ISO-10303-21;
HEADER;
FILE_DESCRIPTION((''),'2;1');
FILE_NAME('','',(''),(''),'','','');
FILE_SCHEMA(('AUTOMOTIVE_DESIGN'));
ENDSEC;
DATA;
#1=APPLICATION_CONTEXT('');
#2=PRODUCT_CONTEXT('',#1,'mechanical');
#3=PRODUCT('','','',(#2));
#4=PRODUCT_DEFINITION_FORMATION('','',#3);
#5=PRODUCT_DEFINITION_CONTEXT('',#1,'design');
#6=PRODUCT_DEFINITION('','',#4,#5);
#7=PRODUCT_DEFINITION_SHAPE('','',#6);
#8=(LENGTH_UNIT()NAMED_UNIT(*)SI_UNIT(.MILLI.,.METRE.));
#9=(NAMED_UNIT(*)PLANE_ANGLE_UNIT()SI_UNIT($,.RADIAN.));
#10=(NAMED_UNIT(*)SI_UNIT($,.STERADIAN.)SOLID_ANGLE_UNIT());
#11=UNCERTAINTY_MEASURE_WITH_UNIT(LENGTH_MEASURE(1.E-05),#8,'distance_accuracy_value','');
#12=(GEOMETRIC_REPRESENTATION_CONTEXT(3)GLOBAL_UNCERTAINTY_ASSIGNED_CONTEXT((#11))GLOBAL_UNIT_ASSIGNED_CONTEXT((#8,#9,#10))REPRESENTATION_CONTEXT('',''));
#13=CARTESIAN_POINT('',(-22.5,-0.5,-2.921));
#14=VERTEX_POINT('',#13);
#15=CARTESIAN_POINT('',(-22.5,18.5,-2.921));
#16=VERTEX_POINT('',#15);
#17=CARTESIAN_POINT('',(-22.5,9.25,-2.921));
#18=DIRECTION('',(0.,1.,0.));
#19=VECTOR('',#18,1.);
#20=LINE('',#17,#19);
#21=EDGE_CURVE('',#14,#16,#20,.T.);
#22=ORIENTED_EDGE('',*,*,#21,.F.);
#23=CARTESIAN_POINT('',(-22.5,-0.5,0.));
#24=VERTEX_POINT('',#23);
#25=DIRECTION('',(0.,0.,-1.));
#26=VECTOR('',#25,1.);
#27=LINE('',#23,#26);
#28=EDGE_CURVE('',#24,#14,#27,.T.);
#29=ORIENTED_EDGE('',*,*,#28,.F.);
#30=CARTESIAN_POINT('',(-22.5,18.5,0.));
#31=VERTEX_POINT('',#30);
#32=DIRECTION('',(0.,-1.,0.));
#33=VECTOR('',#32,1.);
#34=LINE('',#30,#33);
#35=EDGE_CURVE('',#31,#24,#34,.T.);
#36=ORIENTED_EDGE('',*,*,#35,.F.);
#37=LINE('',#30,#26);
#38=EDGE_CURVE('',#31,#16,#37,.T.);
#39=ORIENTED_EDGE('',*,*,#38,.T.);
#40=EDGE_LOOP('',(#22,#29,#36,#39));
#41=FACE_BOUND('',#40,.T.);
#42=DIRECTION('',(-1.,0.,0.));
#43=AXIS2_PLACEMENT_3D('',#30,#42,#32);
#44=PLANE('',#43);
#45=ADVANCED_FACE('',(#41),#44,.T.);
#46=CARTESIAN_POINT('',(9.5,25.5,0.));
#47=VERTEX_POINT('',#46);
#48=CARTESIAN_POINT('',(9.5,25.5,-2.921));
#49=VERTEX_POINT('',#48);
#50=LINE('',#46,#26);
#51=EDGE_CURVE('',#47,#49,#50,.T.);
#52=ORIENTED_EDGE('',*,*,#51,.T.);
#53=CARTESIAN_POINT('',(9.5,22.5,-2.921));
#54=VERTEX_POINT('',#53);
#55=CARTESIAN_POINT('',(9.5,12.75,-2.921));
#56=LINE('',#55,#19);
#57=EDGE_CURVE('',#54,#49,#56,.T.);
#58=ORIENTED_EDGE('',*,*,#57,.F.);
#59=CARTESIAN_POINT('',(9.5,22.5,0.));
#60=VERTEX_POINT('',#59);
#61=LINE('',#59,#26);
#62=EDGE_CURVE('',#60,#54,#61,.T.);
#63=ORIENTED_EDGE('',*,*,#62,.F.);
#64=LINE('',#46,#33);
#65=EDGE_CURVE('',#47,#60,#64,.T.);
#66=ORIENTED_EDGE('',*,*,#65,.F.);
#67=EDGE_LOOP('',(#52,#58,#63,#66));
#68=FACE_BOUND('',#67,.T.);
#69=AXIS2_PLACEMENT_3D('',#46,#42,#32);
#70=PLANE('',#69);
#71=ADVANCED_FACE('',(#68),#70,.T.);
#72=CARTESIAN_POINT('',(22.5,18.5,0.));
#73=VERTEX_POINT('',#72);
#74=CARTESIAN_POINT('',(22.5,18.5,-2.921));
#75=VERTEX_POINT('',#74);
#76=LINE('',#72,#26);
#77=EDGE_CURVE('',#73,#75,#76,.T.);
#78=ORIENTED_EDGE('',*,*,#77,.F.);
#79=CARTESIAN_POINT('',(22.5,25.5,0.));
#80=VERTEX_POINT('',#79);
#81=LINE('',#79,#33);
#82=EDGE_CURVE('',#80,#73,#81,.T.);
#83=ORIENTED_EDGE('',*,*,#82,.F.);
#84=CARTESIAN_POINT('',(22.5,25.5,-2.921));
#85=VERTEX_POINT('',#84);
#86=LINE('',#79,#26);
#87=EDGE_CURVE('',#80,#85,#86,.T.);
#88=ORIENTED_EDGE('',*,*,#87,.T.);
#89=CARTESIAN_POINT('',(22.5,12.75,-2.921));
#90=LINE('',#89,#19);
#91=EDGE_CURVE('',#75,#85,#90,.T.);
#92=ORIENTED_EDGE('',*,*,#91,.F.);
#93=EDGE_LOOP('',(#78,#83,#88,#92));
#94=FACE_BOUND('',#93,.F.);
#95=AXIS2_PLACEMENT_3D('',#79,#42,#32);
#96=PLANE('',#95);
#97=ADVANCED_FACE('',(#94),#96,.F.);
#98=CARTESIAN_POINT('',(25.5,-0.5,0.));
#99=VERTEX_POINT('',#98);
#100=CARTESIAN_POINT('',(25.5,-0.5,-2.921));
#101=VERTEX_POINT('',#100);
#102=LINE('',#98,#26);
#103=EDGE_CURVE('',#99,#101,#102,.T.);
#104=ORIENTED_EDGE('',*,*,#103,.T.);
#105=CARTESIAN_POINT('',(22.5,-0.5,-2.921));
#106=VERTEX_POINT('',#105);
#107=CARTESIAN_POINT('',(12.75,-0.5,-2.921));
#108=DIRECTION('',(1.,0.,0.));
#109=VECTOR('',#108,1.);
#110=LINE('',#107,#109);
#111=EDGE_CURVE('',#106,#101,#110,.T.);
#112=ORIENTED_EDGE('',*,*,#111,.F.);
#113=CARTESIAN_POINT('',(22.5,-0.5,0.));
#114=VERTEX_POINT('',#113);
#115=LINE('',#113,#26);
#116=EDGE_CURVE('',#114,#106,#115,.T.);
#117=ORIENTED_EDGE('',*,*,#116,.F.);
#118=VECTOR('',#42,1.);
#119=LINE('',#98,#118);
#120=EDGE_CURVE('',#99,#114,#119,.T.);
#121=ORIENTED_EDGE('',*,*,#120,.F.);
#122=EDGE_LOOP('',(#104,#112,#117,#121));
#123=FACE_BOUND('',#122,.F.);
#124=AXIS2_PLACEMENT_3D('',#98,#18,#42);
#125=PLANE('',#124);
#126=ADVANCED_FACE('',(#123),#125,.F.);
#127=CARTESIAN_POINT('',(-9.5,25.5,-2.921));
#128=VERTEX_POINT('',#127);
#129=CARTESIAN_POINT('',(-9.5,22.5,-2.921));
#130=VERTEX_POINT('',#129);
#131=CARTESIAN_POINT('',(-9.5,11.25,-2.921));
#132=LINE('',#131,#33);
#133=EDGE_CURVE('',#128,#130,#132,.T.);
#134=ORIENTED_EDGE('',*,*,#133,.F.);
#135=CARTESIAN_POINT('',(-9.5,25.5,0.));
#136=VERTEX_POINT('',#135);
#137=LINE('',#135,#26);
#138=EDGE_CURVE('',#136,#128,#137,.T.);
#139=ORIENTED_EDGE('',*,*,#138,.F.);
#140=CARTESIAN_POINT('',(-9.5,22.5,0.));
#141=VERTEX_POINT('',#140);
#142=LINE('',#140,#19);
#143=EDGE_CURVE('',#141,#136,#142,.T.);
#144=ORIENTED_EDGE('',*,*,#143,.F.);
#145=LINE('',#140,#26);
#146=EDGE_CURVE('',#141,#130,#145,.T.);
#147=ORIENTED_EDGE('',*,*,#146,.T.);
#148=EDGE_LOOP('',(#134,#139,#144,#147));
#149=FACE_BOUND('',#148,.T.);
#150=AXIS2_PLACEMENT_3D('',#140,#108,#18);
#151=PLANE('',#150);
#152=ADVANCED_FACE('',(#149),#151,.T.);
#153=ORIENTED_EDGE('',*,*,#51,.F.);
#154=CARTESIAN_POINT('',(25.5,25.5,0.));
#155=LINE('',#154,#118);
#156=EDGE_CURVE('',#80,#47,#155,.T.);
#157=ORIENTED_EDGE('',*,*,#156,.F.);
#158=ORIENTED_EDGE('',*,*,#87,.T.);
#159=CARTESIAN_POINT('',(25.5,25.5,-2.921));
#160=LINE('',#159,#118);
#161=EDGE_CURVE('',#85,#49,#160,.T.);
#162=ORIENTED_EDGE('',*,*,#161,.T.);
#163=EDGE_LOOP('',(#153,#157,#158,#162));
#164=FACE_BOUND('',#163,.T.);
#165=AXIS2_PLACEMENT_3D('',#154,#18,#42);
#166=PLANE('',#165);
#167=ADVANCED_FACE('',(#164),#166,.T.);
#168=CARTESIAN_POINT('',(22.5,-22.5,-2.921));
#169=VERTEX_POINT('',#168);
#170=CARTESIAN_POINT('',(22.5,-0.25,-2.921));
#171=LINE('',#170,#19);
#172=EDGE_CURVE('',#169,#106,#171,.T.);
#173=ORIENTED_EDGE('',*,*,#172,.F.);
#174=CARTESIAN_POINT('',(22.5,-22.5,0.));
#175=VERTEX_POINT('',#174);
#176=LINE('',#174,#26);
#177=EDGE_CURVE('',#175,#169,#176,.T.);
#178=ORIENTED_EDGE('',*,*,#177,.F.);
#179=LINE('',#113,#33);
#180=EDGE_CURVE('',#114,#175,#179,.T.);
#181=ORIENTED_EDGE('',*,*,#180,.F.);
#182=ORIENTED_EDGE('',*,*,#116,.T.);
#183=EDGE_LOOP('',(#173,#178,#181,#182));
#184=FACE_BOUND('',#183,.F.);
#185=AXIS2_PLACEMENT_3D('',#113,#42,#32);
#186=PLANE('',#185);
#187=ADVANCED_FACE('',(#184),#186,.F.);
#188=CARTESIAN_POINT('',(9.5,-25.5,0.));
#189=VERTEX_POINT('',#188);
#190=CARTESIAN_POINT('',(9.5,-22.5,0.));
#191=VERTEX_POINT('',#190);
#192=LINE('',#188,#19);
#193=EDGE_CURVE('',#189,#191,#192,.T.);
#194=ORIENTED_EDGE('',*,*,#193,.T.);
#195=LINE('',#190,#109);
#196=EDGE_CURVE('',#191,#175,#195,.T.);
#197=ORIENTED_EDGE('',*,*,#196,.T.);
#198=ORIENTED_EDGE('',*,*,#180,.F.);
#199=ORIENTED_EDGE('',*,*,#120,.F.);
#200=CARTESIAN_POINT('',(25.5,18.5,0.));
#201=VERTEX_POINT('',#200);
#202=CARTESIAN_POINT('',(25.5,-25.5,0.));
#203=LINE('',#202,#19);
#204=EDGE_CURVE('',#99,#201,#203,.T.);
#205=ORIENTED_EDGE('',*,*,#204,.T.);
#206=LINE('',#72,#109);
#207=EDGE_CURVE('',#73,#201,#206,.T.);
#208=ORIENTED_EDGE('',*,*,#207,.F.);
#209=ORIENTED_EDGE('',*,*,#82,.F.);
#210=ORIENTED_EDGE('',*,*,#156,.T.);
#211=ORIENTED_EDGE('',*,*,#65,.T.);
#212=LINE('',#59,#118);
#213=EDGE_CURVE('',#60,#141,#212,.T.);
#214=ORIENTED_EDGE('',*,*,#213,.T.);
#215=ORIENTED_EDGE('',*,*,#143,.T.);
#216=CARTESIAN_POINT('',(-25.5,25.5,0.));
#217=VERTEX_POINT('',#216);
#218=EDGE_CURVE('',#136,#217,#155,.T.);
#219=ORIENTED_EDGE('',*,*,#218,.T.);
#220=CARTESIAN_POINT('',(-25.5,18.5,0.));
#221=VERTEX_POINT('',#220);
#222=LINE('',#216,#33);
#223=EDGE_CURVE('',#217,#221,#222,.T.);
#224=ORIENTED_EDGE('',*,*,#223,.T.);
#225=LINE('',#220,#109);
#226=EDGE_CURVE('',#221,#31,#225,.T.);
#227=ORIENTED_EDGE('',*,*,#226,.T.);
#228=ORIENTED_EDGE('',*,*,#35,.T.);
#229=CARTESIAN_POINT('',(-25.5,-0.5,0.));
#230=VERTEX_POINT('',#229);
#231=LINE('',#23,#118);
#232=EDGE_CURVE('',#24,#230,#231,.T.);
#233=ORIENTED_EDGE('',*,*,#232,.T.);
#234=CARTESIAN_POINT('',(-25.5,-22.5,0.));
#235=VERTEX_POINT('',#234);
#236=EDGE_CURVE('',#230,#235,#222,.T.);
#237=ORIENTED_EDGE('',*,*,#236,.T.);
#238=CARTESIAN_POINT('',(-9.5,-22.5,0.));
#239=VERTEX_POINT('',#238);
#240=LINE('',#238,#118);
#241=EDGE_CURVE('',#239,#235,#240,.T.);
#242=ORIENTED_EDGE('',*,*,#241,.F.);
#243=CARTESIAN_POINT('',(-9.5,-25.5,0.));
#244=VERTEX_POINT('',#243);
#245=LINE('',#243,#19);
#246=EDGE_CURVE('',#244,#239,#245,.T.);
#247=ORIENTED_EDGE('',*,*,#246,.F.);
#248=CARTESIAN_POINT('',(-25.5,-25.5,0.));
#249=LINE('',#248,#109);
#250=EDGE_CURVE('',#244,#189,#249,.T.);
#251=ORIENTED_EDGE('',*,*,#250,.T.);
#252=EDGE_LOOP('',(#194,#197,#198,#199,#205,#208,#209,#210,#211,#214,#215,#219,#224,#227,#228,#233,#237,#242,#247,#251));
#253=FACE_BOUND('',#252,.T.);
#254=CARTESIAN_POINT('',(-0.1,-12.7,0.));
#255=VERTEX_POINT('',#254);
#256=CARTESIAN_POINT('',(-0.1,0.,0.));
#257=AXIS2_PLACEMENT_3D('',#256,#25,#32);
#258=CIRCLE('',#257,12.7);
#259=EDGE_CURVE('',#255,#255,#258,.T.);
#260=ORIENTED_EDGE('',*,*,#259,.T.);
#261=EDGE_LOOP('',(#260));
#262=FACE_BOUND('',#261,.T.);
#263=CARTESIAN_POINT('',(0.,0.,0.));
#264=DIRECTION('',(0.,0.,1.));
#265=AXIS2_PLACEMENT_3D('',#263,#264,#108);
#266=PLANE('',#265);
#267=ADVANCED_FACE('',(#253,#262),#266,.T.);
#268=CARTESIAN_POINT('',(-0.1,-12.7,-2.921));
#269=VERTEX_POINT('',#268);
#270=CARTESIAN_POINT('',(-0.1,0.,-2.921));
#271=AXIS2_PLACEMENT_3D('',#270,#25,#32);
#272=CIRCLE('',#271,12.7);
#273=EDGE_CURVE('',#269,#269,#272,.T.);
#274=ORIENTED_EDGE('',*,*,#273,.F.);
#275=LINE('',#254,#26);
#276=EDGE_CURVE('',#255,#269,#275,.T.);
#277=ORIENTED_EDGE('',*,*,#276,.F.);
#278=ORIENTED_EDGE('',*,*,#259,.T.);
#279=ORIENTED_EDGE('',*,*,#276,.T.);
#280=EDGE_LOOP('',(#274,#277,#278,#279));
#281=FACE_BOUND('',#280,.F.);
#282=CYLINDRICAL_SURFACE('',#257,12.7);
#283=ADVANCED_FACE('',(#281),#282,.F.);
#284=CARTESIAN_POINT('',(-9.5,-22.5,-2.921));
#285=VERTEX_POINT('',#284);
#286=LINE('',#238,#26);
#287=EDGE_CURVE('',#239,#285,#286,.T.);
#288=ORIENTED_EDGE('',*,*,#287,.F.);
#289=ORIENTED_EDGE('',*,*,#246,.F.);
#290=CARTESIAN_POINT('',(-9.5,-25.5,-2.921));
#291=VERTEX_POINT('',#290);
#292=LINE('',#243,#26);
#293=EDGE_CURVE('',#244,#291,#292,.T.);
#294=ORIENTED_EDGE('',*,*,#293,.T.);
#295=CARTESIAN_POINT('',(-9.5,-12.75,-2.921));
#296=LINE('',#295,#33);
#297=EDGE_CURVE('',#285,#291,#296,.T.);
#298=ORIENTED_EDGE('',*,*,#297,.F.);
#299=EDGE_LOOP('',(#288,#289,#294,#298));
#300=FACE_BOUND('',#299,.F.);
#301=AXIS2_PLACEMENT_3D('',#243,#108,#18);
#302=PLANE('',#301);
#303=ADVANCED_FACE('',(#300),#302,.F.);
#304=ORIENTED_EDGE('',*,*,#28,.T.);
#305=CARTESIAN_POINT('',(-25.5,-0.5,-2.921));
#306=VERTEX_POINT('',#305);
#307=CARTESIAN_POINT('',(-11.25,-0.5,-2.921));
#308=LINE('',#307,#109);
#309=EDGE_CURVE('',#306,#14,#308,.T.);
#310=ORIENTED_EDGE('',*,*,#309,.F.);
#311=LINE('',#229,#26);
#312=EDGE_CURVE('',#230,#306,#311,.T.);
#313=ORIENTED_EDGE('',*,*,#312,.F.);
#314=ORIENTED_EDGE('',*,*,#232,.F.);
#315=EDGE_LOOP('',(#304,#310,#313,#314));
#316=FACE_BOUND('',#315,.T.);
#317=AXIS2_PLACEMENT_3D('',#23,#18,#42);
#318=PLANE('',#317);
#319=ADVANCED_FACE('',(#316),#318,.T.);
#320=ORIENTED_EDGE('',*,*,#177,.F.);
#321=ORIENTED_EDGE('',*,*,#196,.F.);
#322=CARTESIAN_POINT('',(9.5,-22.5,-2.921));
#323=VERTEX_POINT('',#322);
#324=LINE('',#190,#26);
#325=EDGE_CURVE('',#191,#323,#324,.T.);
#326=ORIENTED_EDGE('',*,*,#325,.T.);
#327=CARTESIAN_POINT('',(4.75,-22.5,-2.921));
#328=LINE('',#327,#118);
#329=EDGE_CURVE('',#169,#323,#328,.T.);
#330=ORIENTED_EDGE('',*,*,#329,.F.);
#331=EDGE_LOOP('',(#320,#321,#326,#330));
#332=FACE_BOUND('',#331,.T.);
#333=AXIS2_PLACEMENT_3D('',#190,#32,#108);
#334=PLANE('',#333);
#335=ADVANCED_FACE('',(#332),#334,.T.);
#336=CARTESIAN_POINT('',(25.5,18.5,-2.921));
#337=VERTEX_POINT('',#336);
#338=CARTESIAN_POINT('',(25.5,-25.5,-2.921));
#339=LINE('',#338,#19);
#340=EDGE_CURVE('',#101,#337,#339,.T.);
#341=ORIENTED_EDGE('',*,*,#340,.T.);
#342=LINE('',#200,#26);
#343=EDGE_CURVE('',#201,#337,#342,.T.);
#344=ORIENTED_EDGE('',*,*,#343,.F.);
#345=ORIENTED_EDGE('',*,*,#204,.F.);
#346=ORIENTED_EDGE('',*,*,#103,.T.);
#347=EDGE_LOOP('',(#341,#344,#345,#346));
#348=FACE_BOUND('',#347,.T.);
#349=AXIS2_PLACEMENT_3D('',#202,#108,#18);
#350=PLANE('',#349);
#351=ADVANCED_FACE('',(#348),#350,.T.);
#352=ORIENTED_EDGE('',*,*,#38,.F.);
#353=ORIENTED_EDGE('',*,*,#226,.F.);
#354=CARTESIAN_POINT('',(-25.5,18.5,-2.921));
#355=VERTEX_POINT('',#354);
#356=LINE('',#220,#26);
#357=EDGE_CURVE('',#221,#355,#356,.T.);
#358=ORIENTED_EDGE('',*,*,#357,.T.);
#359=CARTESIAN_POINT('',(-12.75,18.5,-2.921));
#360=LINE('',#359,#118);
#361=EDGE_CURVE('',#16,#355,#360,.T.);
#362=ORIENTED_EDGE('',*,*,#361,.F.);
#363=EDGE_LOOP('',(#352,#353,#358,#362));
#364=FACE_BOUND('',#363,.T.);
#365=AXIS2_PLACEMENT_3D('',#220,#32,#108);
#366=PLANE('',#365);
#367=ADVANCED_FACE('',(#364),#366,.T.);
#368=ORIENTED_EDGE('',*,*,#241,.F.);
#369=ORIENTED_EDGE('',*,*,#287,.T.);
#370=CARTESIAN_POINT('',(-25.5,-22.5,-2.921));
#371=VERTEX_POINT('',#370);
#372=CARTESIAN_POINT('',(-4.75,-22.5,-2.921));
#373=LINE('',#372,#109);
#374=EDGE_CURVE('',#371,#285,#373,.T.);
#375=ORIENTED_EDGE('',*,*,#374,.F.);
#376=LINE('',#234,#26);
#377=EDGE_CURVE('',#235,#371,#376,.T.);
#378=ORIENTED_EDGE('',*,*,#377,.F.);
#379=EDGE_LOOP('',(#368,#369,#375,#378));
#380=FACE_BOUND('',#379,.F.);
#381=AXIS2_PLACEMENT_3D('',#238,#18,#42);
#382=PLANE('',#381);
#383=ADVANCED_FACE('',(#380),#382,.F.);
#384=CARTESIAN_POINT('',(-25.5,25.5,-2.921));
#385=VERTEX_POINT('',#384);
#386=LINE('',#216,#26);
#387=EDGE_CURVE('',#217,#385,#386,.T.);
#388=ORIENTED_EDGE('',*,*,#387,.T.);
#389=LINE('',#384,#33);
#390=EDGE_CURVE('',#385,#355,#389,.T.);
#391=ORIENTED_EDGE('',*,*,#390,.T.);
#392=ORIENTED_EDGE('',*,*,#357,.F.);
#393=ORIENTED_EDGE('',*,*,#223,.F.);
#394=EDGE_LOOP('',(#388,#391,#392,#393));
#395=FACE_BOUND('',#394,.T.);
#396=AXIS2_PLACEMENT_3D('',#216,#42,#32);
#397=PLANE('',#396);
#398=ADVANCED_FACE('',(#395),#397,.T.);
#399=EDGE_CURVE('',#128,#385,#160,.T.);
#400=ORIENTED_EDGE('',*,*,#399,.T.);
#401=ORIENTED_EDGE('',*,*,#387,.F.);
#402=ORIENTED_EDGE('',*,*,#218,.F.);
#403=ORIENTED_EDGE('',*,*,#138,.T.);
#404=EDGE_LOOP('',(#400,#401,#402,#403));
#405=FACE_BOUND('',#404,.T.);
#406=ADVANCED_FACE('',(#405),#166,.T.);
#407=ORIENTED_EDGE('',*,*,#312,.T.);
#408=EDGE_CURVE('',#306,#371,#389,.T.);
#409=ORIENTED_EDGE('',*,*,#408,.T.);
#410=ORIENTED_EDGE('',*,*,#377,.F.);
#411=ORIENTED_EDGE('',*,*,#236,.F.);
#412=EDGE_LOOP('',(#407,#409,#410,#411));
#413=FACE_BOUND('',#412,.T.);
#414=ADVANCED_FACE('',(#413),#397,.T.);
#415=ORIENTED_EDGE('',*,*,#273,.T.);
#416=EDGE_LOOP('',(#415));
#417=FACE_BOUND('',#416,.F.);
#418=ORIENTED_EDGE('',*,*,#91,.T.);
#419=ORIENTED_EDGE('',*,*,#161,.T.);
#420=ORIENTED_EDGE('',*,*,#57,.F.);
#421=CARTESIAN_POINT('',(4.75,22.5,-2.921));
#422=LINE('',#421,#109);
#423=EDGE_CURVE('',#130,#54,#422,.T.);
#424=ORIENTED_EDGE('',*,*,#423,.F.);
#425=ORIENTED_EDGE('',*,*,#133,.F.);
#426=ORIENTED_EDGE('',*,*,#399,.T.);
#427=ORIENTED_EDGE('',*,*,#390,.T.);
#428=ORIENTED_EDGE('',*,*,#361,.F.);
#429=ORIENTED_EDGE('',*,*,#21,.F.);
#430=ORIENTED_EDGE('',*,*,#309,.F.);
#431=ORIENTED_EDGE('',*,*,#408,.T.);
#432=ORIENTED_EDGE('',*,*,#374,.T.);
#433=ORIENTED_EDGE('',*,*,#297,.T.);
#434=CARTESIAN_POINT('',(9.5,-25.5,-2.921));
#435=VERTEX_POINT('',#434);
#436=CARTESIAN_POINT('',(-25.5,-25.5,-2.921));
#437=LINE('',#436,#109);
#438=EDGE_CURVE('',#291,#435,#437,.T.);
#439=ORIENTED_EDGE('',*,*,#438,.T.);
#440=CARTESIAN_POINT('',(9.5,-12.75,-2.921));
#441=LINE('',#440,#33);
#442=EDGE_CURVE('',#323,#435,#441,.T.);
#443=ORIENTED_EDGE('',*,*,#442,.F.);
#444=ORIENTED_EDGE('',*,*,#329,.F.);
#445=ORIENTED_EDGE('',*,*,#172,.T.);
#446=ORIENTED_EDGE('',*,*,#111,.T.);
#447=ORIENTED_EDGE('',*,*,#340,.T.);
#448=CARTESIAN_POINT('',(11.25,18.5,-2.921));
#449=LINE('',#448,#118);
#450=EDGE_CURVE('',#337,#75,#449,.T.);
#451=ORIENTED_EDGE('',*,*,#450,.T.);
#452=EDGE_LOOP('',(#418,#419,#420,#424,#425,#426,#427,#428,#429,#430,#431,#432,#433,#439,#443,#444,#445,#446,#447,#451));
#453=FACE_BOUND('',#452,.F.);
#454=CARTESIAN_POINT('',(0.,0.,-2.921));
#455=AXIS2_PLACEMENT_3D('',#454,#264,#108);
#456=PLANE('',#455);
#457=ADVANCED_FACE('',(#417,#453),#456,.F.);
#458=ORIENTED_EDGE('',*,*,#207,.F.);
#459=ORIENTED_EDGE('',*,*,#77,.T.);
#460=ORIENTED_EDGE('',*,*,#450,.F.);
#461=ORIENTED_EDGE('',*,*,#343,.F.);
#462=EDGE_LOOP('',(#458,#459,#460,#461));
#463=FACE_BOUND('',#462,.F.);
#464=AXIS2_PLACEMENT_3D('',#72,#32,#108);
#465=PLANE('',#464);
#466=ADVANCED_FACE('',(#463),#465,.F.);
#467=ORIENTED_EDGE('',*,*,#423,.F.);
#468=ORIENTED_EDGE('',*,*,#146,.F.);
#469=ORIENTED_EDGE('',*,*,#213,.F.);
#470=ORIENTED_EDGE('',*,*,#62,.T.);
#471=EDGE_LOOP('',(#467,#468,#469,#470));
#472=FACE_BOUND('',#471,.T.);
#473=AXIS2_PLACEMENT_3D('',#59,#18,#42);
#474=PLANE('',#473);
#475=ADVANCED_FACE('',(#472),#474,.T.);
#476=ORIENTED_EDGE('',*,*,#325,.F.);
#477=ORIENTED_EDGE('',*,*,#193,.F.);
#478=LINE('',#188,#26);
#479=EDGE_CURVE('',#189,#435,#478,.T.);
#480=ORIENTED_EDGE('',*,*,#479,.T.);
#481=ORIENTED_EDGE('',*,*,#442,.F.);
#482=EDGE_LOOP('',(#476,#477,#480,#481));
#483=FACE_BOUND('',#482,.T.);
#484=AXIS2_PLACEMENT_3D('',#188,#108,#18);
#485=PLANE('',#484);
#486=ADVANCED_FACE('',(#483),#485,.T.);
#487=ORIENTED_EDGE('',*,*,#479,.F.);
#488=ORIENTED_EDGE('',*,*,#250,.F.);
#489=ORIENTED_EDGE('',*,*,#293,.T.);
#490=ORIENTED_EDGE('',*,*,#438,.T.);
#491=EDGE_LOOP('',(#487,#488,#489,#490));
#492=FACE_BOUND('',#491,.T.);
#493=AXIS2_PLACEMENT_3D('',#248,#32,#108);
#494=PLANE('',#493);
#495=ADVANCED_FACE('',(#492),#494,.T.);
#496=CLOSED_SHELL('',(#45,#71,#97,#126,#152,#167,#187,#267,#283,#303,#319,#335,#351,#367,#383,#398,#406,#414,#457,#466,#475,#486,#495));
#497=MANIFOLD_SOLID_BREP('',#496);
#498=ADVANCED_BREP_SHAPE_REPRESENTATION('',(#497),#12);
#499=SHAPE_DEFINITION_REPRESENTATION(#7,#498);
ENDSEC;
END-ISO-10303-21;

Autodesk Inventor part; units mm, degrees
ref_plane "YZ Plane" through (0, 0, 0) normal (1, 0, 0) x (0, 1, 0)
ref_plane "XZ Plane" through (0, 0, 0) normal (0, 1, 0) x (-1, 0, 0)
ref_plane "XY Plane" through (0, 0, 0) normal (0, 0, 1) x (1, 0, 0)
sketch "Sketch1" plane through (0, 0, 0) normal (0, 0, 1) x (1, 0, 0)
  line L0 (-25.5, -25.5) -> (25.5, -25.5)
  line L1 (25.5, -25.5) -> (25.5, 25.5)
  line L2 (25.5, 25.5) -> (-25.5, 25.5)
  line L3 (-25.5, 25.5) -> (-25.5, -25.5)
  line L4 (-25.5, -25.5) -> (25.5, 25.5) construction
  line L5 (25.5, -25.5) -> (-25.5, 25.5) construction
  point P0 (0, 0)
  dimension "d0" = 51
  dimension "d1" = 51
extrude "Extrusion1" add sketch "Sketch1" against normal blind 2.921
sketch "Sketch4" plane through (0, 0, 0) normal (0, 0, 1) x (1, 0, 0)
  line L0 (-25.5, -25.5) -> (-9.5, -25.5)
  line L1 (-9.5, -25.5) -> (-9.5, -22.5)
  line L2 (-9.5, -22.5) -> (-25.5, -22.5)
  line L3 (-25.5, -22.5) -> (-25.5, -25.5)
  line L4 (25.5, 25.5) -> (-25.5, 25.5) projected
  line L5 (-25.5, 25.5) -> (-25.5, -25.5) projected
  line L6 (-25.5, 18.5) -> (-22.5, 18.5)
  line L7 (-22.5, 18.5) -> (-22.5, -0.5)
  line L8 (-22.5, -0.5) -> (-25.5, -0.5)
  line L9 (-25.5, -0.5) -> (-25.5, 18.5)
  line L10 (25.5, -0.5) -> (25.5, 18.5)
  line L11 (-9.5, 25.5) -> (9.5, 25.5)
  line L12 (9.5, 25.5) -> (9.5, 22.5)
  line L13 (9.5, 22.5) -> (-9.5, 22.5)
  line L14 (-9.5, 22.5) -> (-9.5, 25.5)
  line L15 (-25.5, -25.5) -> (25.5, -25.5) projected
  line L16 (25.5, -25.5) -> (25.5, 25.5) projected
  line L17 (25.5, -0.5) -> (22.5, -0.5)
  line L18 (22.5, -0.5) -> (22.5, -22.5)
  line L19 (22.5, -25.5) -> (25.5, -25.5)
  line L20 (25.5, -25.5) -> (25.5, -0.5)
  line L21 (25.5, -25.5) -> (9.5, -25.5)
  line L22 (9.5, -25.5) -> (9.5, -22.5)
  line L23 (9.5, -22.5) -> (22.5, -22.5)
  line L24 (25.5, -22.5) -> (25.5, -25.5)
  line L25 (25.5, 25.5) -> (22.5, 25.5)
  line L26 (22.5, 25.5) -> (22.5, 18.5)
  line L27 (22.5, 18.5) -> (25.5, 18.5)
  line L28 (25.5, 18.5) -> (25.5, 25.5)
  point P0 (0, 0)
  dimension "d16" = 3
  dimension "d37" = 9.5
  dimension "d38" = 16
  dimension "d40" = 3
  dimension "d42" = 19
  dimension "d44" = 3
  dimension "d45" = 19
  dimension "d46" = 16
  dimension "d50" = 25
  dimension "d62" = 3
  dimension "d63" = 25
  dimension "d64" = 3
  dimension "d65" = 19
  dimension "d66" = 16
  dimension "d67" = 3
  dimension "d68" = 7
  dimension "d71" = 19
  dimension "d72" = 7
hole "Hole1" at (-0.1, 0, 0) direction (0, 0, -1) diameter 25.4 end through all
extrude "Extrusion6" cut sketch "Sketch4" against normal up to next contours L3 L2 L1 L0 | L22 L23 L18 L17 L16 L15 | L5 L6 L7 L8 | L4 L12 L13 L14 | L27 L26 L4 L16
equation "\"d1\" = d0"
equation "\"d16\" = d44"
equation "\"d37\" = 0.5 * d45"
equation "\"d38\" = -d37 + 0.5 * d0"
equation "\"d40\" = d44"
equation "\"d42\" = d45"
equation "\"d46\" = -0.5 * d45 + 0.5 * d52"
equation "\"d62\" = d44"
equation "\"d63\" = d50"
equation "\"d64\" = d44"
equation "\"d65\" = d45"
equation "\"d67\" = d44"
equation "\"d71\" = d42"
equation "\"d48\" = 0.5 * d0"
equation "\"d52\" = 51"
properties part number "Side B"
